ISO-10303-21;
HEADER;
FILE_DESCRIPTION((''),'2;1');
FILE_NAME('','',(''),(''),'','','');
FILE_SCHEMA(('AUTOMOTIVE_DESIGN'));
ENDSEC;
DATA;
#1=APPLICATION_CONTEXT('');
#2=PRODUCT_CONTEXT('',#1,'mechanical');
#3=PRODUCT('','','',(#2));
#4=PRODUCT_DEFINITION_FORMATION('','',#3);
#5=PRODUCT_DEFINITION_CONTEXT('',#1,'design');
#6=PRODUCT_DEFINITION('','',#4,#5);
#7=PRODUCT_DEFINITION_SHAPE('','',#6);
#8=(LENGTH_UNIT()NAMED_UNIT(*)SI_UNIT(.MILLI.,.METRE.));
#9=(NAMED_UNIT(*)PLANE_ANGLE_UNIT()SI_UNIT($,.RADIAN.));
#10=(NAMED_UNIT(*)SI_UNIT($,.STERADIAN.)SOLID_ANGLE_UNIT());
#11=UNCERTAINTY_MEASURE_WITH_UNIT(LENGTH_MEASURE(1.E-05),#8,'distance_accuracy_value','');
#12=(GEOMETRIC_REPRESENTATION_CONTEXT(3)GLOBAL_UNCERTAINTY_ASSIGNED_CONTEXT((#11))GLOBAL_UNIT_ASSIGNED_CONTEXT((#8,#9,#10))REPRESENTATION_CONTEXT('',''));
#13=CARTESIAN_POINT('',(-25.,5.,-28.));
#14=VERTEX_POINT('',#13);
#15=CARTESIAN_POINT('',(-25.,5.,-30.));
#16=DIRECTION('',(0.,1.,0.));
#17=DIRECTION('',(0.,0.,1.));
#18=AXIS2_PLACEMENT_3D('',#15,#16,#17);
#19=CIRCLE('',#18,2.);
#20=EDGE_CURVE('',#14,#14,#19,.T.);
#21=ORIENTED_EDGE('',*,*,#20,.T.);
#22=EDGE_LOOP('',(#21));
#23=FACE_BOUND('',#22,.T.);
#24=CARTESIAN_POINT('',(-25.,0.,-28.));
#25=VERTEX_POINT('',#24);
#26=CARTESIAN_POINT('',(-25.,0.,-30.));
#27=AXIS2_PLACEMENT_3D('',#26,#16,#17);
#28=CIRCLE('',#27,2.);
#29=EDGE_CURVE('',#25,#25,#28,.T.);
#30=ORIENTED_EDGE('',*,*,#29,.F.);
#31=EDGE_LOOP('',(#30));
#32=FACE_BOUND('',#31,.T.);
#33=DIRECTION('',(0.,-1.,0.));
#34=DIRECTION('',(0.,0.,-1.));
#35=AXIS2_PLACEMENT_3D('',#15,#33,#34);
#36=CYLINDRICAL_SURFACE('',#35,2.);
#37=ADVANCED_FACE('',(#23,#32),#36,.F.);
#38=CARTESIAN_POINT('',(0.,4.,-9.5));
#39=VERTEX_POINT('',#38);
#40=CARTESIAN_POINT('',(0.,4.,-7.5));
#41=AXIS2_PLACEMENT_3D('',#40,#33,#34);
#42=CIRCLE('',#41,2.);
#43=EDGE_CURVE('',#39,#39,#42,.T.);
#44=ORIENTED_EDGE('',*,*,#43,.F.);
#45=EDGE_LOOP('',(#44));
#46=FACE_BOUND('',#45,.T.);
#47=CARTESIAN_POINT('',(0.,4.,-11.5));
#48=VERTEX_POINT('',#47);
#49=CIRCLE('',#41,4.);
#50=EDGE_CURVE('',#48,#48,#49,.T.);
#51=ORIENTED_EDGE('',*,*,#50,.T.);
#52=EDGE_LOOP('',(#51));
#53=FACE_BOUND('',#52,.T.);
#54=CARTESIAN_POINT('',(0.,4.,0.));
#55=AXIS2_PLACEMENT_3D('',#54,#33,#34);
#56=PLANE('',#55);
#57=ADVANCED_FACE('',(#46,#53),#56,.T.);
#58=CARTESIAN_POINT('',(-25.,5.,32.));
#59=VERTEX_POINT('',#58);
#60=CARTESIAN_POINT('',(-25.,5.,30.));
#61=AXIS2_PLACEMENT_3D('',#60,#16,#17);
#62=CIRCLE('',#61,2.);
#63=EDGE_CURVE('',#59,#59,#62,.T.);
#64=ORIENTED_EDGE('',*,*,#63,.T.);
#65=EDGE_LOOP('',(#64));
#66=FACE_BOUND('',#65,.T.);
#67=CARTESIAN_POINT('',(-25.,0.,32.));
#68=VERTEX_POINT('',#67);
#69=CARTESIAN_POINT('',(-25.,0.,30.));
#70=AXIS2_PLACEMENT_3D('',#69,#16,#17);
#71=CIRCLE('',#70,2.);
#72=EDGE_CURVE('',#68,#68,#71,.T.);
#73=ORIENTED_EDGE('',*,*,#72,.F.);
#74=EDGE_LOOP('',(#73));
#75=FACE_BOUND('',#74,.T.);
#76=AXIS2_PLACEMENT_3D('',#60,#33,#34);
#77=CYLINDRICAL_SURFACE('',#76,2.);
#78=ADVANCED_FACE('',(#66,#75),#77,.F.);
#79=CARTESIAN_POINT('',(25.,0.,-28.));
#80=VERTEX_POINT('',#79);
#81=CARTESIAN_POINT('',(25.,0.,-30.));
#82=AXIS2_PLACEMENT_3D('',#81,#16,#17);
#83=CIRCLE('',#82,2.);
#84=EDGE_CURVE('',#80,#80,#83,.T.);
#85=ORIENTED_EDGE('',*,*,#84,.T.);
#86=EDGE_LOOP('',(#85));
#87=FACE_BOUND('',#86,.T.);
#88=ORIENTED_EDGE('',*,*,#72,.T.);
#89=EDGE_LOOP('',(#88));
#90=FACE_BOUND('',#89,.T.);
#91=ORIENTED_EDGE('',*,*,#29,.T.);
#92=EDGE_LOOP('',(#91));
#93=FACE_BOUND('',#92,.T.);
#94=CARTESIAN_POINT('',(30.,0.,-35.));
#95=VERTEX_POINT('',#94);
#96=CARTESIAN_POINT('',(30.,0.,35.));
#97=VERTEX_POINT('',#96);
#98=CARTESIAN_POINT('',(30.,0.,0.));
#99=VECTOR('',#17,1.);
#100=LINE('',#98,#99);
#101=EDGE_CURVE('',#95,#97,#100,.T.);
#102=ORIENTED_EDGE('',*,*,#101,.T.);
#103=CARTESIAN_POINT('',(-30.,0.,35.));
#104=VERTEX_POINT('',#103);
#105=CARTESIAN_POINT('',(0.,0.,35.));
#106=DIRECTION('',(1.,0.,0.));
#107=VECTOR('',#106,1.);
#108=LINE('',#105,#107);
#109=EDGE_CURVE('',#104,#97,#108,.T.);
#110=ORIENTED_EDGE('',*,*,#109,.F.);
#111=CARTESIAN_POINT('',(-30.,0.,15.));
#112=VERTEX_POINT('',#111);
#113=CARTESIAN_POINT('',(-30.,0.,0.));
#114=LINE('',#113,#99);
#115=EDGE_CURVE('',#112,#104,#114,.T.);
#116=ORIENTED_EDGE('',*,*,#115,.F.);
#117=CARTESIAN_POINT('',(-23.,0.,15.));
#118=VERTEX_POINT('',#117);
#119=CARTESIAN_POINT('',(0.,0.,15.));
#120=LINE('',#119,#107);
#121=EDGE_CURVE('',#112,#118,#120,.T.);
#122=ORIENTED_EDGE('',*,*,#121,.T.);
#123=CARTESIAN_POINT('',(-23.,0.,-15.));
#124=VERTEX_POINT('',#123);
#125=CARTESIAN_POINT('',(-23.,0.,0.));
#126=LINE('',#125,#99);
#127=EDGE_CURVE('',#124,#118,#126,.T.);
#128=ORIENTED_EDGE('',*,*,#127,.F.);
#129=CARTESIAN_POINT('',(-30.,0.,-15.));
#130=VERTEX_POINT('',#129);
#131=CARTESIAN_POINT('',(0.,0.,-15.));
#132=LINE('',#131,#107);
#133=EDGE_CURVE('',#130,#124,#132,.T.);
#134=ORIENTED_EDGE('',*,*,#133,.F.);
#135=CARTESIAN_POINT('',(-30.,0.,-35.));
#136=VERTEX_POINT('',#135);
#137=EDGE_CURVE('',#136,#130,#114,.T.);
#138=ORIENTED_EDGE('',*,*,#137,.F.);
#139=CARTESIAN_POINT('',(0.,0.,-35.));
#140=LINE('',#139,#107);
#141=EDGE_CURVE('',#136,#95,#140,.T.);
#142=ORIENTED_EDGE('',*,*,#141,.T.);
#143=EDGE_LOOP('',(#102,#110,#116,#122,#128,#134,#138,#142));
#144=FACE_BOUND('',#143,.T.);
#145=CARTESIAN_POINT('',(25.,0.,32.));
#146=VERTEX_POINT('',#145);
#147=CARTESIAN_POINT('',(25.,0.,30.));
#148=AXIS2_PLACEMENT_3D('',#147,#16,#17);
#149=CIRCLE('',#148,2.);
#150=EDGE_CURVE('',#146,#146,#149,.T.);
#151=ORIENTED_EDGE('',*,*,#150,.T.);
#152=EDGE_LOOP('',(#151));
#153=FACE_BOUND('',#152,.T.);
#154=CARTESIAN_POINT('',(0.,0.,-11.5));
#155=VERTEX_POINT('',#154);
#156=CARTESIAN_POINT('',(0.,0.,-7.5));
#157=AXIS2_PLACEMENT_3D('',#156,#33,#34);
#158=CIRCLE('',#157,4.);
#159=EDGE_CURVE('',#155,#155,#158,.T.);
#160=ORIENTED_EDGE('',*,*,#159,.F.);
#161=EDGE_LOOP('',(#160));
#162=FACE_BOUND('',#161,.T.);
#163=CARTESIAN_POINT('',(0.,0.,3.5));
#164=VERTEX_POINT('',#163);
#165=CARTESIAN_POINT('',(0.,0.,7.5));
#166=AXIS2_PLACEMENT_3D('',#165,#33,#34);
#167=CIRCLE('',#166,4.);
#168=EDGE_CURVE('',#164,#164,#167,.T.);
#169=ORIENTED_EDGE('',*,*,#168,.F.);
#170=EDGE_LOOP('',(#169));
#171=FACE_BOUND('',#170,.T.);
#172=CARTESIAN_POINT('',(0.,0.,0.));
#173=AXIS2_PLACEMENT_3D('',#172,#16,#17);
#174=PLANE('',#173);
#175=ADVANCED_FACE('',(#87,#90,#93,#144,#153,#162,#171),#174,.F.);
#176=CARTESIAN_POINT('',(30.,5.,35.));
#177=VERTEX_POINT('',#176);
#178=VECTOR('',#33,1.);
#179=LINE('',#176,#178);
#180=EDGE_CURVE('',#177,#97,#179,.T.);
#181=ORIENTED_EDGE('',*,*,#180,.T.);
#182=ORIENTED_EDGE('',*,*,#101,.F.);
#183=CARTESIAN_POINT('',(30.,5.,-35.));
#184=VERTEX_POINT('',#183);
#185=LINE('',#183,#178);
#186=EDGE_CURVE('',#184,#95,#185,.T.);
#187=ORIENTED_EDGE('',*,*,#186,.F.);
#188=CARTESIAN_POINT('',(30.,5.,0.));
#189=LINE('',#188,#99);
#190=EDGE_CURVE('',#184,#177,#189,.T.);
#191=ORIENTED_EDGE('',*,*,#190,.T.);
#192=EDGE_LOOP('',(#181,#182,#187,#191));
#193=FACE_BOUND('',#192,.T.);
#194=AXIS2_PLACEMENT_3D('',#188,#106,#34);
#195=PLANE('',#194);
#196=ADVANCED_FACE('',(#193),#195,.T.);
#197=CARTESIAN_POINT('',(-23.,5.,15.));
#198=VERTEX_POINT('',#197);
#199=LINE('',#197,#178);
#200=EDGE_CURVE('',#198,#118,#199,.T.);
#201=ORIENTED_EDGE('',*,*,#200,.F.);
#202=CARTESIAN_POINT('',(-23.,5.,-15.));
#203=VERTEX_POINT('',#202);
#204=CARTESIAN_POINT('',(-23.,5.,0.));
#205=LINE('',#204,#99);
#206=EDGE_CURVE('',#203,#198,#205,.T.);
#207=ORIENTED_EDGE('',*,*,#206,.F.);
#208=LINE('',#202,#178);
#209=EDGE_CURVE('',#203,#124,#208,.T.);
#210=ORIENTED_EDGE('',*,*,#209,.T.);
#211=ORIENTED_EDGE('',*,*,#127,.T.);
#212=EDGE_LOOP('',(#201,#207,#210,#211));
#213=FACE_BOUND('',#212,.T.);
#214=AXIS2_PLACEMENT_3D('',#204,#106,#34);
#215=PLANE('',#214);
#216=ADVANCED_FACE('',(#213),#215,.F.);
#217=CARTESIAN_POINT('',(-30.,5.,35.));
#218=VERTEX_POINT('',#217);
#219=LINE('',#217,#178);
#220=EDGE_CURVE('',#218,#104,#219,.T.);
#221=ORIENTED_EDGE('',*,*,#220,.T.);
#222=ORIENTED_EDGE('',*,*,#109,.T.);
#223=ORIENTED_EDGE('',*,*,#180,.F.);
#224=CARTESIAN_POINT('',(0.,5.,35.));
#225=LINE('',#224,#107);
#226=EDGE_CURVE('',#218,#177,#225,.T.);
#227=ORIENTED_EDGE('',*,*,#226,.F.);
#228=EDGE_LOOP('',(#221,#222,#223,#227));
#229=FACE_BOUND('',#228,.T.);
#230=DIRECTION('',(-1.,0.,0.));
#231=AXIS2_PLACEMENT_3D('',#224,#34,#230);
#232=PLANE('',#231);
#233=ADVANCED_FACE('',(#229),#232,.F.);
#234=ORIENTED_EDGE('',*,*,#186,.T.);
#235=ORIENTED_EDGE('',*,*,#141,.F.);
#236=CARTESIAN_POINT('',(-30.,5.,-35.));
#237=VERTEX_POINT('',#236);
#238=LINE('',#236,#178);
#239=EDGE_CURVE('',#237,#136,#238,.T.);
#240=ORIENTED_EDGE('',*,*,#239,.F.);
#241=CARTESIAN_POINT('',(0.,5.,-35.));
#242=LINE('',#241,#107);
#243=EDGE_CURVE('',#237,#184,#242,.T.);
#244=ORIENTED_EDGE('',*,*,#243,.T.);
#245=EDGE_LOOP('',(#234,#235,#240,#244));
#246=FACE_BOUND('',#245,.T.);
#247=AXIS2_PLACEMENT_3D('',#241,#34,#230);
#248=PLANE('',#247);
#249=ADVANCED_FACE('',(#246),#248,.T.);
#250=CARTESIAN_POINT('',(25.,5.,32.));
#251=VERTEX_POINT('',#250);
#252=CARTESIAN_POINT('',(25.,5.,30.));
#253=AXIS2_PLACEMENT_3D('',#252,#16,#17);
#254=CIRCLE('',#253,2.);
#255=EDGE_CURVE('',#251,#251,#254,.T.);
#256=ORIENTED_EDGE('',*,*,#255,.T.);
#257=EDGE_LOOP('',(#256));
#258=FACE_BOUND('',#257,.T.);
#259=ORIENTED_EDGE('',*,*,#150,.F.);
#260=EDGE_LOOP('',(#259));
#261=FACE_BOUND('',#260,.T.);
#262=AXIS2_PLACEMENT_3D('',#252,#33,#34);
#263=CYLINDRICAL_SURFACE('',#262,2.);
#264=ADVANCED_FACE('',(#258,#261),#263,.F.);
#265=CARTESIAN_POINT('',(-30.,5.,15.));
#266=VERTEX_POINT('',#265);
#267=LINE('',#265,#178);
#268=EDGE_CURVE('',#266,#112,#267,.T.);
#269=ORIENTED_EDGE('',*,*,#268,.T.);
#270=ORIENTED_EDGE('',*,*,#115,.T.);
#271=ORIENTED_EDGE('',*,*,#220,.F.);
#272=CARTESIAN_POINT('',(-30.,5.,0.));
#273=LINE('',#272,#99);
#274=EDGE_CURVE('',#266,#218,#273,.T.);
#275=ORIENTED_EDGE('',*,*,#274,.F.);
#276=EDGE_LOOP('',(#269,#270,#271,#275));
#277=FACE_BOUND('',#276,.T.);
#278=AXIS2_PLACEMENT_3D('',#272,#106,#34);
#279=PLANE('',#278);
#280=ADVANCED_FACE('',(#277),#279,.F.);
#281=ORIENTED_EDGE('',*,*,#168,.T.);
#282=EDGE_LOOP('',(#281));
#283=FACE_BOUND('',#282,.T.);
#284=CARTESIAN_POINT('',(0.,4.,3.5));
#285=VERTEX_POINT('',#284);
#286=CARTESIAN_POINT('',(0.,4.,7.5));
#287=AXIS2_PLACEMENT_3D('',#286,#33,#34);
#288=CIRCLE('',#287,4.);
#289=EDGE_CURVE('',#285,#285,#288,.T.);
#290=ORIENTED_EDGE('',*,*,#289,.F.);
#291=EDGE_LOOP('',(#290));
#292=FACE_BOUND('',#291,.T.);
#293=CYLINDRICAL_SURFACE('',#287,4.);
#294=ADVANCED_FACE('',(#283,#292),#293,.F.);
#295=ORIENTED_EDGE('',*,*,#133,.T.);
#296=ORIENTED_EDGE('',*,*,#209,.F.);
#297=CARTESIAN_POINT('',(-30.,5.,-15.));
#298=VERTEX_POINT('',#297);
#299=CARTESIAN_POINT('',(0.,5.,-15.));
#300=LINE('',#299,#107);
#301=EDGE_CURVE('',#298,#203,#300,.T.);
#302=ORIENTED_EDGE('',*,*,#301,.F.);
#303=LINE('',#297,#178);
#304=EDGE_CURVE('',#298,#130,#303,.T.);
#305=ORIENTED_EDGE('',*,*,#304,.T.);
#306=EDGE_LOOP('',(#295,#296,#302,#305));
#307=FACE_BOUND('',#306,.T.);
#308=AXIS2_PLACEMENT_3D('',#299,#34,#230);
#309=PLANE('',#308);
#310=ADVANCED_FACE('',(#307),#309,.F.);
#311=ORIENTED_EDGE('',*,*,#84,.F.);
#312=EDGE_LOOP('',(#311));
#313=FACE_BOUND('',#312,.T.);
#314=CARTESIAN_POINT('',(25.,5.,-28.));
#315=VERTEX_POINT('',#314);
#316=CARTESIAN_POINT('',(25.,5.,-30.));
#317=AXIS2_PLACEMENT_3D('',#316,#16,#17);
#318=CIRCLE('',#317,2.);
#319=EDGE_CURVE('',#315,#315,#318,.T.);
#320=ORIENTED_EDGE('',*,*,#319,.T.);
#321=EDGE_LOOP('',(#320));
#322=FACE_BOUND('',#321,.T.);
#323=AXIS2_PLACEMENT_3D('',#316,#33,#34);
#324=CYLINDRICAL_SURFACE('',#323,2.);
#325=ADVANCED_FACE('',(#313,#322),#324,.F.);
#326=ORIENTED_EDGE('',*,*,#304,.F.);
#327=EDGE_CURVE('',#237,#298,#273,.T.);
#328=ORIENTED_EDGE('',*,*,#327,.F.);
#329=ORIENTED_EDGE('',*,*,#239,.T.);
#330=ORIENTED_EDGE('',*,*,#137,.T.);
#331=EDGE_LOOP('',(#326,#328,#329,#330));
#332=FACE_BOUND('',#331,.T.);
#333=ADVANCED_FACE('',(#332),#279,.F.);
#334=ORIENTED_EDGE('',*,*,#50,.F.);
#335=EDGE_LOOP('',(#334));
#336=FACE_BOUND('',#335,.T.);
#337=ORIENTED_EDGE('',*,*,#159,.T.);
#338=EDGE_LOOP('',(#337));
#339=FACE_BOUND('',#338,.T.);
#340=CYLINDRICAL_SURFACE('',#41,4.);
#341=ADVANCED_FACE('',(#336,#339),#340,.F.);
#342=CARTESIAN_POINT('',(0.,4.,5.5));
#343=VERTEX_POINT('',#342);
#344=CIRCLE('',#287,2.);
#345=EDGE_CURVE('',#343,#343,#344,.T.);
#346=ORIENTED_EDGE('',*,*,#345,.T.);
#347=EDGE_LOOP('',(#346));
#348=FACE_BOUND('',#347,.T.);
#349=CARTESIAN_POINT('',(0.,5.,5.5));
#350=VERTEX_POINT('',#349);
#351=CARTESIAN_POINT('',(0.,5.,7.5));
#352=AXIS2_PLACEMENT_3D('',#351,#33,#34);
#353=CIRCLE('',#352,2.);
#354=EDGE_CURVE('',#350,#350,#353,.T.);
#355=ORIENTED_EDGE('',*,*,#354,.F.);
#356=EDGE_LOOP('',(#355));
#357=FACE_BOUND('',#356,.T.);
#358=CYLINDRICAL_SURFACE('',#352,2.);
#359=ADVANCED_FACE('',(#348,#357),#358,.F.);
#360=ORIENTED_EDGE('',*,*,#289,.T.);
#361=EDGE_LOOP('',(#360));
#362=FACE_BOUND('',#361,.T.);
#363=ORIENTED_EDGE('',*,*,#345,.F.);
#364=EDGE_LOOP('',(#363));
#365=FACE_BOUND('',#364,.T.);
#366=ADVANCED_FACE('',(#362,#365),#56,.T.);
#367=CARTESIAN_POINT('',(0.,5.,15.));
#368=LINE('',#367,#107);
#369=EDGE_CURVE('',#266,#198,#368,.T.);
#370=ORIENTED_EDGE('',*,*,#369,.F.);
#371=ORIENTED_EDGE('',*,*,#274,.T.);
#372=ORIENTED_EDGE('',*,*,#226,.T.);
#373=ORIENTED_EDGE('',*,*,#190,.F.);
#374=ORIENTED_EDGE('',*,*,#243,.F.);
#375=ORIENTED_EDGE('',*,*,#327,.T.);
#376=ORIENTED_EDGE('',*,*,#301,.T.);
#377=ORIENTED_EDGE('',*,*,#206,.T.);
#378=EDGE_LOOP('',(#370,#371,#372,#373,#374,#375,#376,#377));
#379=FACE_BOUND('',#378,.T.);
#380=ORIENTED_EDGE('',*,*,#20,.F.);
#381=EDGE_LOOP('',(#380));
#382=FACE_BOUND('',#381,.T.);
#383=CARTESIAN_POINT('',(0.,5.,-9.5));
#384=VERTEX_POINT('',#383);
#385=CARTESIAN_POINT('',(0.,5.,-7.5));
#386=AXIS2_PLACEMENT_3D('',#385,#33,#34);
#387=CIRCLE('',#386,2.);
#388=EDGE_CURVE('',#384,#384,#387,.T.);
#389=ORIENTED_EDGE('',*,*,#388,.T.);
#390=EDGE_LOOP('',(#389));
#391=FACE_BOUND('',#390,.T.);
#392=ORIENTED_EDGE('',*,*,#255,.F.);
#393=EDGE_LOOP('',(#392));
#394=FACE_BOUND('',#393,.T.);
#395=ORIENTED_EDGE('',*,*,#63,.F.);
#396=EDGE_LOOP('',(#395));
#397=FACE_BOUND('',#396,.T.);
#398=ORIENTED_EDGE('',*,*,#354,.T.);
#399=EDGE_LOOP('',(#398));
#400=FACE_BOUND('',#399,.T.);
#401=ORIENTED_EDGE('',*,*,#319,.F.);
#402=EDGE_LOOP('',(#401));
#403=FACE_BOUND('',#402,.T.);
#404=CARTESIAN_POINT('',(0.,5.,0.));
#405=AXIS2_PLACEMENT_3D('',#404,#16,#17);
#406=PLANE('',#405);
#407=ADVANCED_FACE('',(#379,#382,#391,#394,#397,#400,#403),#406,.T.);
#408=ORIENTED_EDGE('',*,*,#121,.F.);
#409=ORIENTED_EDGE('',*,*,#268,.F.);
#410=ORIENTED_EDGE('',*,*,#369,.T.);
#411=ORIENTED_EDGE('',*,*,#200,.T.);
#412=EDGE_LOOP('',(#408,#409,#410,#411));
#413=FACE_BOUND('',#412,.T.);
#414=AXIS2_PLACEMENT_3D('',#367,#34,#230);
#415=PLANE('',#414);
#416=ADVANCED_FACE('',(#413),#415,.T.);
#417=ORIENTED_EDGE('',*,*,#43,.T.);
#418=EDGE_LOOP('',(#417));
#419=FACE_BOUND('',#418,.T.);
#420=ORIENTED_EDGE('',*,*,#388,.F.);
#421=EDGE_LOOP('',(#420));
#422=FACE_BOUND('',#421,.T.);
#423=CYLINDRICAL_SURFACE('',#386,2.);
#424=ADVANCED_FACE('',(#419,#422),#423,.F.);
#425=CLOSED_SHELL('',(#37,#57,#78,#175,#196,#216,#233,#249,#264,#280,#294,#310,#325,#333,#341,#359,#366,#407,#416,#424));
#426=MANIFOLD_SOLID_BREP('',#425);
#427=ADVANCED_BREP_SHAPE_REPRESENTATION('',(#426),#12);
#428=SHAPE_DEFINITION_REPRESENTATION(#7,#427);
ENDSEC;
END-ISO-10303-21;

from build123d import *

# Parameters (mm, degrees)
SKETCH1_R           = 2
BOSS_EXTRUDE1_DEPTH = 5
SKETCH3_R           = 4
CUT_EXTRUDE1_DEPTH  = 4
SKETCH3_4_R         = 2
CUT_EXTRUDE2_DEPTH  = 47.368092477


with BuildPart() as part:
    # Sketch1 → Boss-Extrude1 (new body)
    with BuildSketch(Plane(origin=(0, 0, 0), x_dir=(1, 0, 0), z_dir=(0, 1, 0))):
        Polygon((-30, 35), (-30, 15), (-23, 15), (-23, -15), (-30, -15), (-30, -35), (30, -35), (30, 35), align=None)
        with Locations((-25, -30)):
            Circle(SKETCH1_R, mode=Mode.SUBTRACT)
        with Locations((25, -30)):
            Circle(SKETCH1_R, mode=Mode.SUBTRACT)
        with Locations((-25, 30)):
            Circle(SKETCH1_R, mode=Mode.SUBTRACT)
        with Locations((25, 30)):
            Circle(SKETCH1_R, mode=Mode.SUBTRACT)
    extrude(amount=BOSS_EXTRUDE1_DEPTH)

    # Sketch3 → Cut-Extrude1 (cut)
    with BuildSketch(Plane.XZ):
        with Locations((0, 7.5)):
            Circle(SKETCH3_R)
        with Locations((0, -7.5)):
            Circle(SKETCH3_R)
    extrude(amount=-CUT_EXTRUDE1_DEPTH, mode=Mode.SUBTRACT)

    # Sketch3<4> → Cut-Extrude2 (cut, through all)
    with BuildSketch(Plane.XZ):
        with Locations((0, -7.5)):
            Circle(SKETCH3_4_R)
        with Locations((0, 7.5)):
            Circle(SKETCH3_4_R)
    extrude(amount=-CUT_EXTRUDE2_DEPTH, mode=Mode.SUBTRACT)


solid = part.part
